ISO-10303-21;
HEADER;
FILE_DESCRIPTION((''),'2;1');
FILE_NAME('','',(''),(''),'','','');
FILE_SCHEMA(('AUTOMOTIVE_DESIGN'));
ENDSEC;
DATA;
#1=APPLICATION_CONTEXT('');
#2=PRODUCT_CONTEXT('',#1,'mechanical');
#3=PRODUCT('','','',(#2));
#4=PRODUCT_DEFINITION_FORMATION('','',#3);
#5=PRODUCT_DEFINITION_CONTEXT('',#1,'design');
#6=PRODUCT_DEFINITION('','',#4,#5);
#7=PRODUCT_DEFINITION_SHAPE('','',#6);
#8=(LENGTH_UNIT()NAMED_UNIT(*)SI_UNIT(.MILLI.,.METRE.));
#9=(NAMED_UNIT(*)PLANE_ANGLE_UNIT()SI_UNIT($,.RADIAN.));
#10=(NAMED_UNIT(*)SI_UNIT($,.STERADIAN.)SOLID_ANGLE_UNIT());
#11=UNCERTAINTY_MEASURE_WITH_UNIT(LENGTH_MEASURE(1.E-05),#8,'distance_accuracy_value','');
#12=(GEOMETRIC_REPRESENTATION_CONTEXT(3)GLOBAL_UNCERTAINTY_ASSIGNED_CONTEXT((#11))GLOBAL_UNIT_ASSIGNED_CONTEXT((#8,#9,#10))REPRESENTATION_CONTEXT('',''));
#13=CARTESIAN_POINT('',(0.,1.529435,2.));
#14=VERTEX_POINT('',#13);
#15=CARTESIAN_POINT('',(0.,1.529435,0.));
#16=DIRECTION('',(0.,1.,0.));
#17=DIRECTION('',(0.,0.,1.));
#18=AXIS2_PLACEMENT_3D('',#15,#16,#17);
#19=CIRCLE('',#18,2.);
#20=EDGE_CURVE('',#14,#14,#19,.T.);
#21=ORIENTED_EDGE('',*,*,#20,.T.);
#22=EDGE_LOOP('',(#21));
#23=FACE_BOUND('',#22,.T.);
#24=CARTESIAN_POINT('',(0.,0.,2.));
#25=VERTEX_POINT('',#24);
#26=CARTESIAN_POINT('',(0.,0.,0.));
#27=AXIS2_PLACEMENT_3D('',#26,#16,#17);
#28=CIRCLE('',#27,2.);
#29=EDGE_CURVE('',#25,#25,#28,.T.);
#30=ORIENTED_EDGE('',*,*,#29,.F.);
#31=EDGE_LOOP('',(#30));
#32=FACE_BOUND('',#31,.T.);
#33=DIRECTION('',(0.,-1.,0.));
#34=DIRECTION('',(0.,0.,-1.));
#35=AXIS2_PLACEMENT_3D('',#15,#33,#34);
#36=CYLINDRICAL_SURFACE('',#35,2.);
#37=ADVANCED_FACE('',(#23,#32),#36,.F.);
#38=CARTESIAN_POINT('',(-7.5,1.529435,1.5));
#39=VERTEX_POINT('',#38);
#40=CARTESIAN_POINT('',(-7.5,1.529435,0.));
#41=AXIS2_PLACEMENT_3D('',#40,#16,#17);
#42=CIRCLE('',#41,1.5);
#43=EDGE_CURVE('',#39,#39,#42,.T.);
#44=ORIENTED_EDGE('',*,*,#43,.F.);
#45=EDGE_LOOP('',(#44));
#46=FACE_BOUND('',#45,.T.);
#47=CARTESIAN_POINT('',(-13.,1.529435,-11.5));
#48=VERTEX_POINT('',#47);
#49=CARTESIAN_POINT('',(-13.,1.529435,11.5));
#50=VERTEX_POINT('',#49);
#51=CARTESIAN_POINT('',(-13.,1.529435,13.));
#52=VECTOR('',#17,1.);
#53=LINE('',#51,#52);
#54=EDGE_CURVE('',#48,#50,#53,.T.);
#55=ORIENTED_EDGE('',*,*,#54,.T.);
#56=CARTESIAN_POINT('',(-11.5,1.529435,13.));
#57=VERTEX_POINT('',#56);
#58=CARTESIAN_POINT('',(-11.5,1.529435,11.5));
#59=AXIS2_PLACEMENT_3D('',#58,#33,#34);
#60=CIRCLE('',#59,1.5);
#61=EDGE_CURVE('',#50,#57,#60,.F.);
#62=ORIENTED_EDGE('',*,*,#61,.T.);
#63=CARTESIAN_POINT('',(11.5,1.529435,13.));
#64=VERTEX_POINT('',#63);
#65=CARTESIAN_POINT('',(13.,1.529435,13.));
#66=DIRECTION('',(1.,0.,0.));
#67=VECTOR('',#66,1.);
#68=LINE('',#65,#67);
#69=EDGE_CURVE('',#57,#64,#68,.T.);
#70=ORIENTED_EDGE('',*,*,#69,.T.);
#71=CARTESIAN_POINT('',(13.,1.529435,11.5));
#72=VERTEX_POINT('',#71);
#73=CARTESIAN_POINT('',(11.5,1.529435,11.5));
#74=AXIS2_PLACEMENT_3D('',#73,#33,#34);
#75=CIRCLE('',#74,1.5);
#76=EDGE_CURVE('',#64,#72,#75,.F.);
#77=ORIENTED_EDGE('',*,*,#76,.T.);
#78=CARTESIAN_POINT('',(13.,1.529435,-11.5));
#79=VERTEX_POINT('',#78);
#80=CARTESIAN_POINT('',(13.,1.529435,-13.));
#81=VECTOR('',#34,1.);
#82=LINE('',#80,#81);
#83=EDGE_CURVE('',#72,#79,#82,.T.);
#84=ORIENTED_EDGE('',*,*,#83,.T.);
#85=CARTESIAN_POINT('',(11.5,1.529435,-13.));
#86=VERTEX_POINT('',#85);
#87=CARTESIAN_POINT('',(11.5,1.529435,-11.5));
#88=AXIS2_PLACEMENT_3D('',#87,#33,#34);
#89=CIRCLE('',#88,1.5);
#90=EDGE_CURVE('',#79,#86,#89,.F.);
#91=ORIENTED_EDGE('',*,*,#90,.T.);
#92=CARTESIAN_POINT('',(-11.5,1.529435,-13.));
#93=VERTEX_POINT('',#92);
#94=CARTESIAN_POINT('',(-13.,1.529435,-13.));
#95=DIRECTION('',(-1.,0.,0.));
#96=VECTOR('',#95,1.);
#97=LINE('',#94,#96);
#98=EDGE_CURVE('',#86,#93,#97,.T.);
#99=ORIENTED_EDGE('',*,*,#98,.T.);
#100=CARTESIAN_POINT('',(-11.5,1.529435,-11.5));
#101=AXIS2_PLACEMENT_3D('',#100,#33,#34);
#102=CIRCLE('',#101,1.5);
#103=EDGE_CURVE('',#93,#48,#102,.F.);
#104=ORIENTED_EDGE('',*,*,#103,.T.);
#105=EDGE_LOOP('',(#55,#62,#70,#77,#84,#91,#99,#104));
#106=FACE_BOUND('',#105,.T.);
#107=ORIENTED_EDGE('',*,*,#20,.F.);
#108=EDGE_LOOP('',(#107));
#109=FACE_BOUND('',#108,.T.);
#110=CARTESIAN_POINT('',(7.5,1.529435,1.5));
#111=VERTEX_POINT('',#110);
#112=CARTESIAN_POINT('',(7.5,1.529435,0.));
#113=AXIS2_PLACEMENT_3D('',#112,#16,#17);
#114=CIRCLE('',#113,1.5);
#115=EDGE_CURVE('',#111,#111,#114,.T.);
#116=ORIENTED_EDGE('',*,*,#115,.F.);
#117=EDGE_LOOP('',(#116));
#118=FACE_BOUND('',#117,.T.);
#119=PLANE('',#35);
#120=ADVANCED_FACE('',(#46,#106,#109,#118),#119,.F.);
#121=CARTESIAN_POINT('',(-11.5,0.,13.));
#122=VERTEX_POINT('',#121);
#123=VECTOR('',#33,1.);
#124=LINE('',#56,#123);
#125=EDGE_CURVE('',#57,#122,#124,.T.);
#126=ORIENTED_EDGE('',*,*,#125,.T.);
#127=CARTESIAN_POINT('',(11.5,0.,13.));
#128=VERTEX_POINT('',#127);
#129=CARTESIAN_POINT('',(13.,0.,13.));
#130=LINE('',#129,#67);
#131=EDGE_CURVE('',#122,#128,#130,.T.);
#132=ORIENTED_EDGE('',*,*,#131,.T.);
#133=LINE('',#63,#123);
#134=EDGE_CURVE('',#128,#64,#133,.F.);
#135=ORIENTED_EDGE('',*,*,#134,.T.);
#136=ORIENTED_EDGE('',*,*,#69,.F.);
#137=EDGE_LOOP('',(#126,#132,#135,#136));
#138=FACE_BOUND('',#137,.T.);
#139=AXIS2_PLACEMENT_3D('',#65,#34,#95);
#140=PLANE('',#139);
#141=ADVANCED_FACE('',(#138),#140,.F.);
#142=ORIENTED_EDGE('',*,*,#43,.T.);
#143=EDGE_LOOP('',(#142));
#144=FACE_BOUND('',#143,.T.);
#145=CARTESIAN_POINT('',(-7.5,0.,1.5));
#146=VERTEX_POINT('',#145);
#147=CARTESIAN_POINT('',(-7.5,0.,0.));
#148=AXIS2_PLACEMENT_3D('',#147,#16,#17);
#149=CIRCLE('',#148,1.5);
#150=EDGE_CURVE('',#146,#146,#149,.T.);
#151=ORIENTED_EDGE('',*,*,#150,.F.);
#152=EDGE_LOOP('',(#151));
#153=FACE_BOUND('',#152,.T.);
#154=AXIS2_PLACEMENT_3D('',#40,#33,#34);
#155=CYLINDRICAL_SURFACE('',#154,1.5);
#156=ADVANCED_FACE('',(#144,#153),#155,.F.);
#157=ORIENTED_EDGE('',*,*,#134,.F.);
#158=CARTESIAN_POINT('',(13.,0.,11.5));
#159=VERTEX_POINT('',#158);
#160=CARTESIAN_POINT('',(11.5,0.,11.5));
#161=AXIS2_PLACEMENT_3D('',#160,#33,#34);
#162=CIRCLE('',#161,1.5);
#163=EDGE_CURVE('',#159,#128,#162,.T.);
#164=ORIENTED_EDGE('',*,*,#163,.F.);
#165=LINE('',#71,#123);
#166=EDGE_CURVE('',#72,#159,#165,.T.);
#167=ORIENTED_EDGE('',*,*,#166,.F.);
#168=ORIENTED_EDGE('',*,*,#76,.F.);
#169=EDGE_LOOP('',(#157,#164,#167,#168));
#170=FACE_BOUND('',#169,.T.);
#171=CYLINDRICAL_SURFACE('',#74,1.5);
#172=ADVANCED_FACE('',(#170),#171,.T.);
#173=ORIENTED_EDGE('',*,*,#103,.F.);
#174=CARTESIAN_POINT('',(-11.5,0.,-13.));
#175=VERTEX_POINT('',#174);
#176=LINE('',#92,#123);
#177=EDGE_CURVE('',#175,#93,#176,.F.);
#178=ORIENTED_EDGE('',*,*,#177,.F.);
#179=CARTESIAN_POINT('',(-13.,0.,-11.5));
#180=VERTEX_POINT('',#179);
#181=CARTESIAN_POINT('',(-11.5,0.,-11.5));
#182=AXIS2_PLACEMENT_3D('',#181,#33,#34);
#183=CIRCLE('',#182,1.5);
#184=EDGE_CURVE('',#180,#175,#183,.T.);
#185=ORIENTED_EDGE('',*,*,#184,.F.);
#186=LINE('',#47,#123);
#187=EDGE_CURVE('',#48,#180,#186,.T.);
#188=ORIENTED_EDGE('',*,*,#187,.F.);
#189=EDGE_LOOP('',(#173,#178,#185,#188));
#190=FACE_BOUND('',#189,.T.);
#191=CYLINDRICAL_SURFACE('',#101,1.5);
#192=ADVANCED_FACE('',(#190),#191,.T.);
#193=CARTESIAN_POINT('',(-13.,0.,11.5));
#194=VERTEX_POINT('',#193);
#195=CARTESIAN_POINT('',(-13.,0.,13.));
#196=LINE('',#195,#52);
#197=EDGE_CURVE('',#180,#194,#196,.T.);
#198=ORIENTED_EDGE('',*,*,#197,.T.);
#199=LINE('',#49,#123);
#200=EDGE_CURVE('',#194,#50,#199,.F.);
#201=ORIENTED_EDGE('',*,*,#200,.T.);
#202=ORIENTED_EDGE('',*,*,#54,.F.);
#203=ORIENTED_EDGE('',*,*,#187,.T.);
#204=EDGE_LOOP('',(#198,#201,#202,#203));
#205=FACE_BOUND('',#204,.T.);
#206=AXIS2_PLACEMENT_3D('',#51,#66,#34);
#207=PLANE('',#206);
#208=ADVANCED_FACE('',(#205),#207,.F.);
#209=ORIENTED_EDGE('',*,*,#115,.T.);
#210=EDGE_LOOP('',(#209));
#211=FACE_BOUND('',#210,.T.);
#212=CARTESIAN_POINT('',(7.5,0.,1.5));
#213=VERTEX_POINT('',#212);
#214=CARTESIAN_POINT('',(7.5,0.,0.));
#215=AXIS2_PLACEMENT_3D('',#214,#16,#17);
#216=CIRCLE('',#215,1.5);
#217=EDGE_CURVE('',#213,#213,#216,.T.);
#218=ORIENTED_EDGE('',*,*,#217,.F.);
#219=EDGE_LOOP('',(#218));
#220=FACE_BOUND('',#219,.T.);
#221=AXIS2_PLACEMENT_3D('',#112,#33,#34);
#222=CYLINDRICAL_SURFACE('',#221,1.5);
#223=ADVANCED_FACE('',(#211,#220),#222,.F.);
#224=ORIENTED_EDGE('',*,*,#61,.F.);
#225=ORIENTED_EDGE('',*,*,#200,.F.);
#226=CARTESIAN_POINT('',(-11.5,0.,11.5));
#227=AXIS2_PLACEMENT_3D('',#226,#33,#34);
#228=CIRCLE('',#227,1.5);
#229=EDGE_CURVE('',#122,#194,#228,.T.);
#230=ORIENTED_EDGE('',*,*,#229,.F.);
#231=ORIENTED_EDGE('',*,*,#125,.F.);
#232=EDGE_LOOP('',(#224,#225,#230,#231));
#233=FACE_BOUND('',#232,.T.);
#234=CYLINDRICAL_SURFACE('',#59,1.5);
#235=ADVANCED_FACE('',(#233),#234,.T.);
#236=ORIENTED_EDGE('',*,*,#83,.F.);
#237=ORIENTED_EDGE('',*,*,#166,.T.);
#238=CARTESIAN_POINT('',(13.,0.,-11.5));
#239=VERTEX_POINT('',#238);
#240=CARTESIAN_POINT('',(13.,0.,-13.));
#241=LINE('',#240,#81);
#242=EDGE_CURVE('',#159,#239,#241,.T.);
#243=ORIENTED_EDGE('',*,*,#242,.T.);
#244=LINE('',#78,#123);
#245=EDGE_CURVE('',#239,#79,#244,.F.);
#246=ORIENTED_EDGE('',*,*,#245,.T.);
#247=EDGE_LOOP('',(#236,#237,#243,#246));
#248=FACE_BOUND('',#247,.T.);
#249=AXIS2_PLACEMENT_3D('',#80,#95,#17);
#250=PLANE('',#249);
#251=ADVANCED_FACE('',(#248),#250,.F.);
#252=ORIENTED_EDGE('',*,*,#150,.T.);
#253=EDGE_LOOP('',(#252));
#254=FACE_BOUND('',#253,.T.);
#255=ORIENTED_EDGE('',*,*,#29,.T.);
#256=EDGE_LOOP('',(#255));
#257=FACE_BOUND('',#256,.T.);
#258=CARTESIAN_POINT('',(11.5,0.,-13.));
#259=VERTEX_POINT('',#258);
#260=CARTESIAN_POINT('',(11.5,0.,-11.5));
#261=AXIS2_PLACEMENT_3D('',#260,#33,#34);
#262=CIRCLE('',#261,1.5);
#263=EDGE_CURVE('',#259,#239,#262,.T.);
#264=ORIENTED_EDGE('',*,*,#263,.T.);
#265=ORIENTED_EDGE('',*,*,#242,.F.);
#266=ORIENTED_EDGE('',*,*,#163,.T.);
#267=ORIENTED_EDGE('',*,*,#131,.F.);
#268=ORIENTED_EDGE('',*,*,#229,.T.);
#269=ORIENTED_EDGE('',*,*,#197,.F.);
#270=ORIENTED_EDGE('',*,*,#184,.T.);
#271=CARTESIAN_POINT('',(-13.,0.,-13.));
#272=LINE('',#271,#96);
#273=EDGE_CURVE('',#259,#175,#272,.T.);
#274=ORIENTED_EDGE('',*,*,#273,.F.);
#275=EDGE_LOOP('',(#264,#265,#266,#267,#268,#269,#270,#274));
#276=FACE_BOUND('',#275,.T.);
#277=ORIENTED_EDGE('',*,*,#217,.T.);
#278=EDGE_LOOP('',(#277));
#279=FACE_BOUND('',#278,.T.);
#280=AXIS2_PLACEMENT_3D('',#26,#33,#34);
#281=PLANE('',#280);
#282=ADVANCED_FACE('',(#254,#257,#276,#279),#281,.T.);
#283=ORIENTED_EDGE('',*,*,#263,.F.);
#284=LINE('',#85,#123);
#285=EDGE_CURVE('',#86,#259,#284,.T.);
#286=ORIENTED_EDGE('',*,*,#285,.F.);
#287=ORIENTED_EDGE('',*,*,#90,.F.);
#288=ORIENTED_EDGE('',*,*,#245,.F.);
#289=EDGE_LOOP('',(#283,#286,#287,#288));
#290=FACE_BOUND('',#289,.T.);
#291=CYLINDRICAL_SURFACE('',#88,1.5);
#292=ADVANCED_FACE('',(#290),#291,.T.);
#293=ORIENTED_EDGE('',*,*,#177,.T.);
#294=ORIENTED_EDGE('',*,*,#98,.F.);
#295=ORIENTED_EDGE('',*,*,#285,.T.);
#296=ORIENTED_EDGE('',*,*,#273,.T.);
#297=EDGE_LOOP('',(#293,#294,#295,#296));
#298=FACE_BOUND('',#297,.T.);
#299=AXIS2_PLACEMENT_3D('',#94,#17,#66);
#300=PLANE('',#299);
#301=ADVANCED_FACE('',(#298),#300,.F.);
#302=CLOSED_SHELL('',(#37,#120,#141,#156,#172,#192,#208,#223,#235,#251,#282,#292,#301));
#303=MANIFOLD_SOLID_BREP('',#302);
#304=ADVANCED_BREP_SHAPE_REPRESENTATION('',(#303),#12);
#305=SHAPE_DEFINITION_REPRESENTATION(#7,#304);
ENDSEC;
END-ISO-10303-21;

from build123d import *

# Parameters (mm, degrees)
SKETCH2_W           = 26
SKETCH2_H           = 26
SKETCH2_R           = 1.5
SKETCH2_R_2         = 2
BOSS_EXTRUDE1_DEPTH = 1.529434596
FILLET1_R           = 1.5


with BuildPart() as part:
    # Sketch2 → Boss-Extrude1 (new body)
    with BuildSketch(Plane(origin=(0, 0, 0), x_dir=(1, 0, 0), z_dir=(0, 1, 0))):
        Rectangle(SKETCH2_W, SKETCH2_H)
        with Locations(Location((7.5, 0, 0), (0, 0, 270))):
            Circle(SKETCH2_R, mode=Mode.SUBTRACT)
        with Locations(Location((-7.5, 0, 0), (0, 0, 270))):
            Circle(SKETCH2_R, mode=Mode.SUBTRACT)
        with Locations(Location((0, 0, 0), (0, 0, 270))):
            Circle(SKETCH2_R_2, mode=Mode.SUBTRACT)
    extrude(amount=BOSS_EXTRUDE1_DEPTH)

    # Fillet1
    fillet1_edges = [part.edges().sort_by_distance(p)[0] for p in [
        (-13, 0.764717298, -13),
        (13, 0.764717298, -13),
        (13, 0.764717298, 13),
        (-13, 0.764717298, 13),
    ]]
    fillet(fillet1_edges, radius=FILLET1_R)


solid = part.part
